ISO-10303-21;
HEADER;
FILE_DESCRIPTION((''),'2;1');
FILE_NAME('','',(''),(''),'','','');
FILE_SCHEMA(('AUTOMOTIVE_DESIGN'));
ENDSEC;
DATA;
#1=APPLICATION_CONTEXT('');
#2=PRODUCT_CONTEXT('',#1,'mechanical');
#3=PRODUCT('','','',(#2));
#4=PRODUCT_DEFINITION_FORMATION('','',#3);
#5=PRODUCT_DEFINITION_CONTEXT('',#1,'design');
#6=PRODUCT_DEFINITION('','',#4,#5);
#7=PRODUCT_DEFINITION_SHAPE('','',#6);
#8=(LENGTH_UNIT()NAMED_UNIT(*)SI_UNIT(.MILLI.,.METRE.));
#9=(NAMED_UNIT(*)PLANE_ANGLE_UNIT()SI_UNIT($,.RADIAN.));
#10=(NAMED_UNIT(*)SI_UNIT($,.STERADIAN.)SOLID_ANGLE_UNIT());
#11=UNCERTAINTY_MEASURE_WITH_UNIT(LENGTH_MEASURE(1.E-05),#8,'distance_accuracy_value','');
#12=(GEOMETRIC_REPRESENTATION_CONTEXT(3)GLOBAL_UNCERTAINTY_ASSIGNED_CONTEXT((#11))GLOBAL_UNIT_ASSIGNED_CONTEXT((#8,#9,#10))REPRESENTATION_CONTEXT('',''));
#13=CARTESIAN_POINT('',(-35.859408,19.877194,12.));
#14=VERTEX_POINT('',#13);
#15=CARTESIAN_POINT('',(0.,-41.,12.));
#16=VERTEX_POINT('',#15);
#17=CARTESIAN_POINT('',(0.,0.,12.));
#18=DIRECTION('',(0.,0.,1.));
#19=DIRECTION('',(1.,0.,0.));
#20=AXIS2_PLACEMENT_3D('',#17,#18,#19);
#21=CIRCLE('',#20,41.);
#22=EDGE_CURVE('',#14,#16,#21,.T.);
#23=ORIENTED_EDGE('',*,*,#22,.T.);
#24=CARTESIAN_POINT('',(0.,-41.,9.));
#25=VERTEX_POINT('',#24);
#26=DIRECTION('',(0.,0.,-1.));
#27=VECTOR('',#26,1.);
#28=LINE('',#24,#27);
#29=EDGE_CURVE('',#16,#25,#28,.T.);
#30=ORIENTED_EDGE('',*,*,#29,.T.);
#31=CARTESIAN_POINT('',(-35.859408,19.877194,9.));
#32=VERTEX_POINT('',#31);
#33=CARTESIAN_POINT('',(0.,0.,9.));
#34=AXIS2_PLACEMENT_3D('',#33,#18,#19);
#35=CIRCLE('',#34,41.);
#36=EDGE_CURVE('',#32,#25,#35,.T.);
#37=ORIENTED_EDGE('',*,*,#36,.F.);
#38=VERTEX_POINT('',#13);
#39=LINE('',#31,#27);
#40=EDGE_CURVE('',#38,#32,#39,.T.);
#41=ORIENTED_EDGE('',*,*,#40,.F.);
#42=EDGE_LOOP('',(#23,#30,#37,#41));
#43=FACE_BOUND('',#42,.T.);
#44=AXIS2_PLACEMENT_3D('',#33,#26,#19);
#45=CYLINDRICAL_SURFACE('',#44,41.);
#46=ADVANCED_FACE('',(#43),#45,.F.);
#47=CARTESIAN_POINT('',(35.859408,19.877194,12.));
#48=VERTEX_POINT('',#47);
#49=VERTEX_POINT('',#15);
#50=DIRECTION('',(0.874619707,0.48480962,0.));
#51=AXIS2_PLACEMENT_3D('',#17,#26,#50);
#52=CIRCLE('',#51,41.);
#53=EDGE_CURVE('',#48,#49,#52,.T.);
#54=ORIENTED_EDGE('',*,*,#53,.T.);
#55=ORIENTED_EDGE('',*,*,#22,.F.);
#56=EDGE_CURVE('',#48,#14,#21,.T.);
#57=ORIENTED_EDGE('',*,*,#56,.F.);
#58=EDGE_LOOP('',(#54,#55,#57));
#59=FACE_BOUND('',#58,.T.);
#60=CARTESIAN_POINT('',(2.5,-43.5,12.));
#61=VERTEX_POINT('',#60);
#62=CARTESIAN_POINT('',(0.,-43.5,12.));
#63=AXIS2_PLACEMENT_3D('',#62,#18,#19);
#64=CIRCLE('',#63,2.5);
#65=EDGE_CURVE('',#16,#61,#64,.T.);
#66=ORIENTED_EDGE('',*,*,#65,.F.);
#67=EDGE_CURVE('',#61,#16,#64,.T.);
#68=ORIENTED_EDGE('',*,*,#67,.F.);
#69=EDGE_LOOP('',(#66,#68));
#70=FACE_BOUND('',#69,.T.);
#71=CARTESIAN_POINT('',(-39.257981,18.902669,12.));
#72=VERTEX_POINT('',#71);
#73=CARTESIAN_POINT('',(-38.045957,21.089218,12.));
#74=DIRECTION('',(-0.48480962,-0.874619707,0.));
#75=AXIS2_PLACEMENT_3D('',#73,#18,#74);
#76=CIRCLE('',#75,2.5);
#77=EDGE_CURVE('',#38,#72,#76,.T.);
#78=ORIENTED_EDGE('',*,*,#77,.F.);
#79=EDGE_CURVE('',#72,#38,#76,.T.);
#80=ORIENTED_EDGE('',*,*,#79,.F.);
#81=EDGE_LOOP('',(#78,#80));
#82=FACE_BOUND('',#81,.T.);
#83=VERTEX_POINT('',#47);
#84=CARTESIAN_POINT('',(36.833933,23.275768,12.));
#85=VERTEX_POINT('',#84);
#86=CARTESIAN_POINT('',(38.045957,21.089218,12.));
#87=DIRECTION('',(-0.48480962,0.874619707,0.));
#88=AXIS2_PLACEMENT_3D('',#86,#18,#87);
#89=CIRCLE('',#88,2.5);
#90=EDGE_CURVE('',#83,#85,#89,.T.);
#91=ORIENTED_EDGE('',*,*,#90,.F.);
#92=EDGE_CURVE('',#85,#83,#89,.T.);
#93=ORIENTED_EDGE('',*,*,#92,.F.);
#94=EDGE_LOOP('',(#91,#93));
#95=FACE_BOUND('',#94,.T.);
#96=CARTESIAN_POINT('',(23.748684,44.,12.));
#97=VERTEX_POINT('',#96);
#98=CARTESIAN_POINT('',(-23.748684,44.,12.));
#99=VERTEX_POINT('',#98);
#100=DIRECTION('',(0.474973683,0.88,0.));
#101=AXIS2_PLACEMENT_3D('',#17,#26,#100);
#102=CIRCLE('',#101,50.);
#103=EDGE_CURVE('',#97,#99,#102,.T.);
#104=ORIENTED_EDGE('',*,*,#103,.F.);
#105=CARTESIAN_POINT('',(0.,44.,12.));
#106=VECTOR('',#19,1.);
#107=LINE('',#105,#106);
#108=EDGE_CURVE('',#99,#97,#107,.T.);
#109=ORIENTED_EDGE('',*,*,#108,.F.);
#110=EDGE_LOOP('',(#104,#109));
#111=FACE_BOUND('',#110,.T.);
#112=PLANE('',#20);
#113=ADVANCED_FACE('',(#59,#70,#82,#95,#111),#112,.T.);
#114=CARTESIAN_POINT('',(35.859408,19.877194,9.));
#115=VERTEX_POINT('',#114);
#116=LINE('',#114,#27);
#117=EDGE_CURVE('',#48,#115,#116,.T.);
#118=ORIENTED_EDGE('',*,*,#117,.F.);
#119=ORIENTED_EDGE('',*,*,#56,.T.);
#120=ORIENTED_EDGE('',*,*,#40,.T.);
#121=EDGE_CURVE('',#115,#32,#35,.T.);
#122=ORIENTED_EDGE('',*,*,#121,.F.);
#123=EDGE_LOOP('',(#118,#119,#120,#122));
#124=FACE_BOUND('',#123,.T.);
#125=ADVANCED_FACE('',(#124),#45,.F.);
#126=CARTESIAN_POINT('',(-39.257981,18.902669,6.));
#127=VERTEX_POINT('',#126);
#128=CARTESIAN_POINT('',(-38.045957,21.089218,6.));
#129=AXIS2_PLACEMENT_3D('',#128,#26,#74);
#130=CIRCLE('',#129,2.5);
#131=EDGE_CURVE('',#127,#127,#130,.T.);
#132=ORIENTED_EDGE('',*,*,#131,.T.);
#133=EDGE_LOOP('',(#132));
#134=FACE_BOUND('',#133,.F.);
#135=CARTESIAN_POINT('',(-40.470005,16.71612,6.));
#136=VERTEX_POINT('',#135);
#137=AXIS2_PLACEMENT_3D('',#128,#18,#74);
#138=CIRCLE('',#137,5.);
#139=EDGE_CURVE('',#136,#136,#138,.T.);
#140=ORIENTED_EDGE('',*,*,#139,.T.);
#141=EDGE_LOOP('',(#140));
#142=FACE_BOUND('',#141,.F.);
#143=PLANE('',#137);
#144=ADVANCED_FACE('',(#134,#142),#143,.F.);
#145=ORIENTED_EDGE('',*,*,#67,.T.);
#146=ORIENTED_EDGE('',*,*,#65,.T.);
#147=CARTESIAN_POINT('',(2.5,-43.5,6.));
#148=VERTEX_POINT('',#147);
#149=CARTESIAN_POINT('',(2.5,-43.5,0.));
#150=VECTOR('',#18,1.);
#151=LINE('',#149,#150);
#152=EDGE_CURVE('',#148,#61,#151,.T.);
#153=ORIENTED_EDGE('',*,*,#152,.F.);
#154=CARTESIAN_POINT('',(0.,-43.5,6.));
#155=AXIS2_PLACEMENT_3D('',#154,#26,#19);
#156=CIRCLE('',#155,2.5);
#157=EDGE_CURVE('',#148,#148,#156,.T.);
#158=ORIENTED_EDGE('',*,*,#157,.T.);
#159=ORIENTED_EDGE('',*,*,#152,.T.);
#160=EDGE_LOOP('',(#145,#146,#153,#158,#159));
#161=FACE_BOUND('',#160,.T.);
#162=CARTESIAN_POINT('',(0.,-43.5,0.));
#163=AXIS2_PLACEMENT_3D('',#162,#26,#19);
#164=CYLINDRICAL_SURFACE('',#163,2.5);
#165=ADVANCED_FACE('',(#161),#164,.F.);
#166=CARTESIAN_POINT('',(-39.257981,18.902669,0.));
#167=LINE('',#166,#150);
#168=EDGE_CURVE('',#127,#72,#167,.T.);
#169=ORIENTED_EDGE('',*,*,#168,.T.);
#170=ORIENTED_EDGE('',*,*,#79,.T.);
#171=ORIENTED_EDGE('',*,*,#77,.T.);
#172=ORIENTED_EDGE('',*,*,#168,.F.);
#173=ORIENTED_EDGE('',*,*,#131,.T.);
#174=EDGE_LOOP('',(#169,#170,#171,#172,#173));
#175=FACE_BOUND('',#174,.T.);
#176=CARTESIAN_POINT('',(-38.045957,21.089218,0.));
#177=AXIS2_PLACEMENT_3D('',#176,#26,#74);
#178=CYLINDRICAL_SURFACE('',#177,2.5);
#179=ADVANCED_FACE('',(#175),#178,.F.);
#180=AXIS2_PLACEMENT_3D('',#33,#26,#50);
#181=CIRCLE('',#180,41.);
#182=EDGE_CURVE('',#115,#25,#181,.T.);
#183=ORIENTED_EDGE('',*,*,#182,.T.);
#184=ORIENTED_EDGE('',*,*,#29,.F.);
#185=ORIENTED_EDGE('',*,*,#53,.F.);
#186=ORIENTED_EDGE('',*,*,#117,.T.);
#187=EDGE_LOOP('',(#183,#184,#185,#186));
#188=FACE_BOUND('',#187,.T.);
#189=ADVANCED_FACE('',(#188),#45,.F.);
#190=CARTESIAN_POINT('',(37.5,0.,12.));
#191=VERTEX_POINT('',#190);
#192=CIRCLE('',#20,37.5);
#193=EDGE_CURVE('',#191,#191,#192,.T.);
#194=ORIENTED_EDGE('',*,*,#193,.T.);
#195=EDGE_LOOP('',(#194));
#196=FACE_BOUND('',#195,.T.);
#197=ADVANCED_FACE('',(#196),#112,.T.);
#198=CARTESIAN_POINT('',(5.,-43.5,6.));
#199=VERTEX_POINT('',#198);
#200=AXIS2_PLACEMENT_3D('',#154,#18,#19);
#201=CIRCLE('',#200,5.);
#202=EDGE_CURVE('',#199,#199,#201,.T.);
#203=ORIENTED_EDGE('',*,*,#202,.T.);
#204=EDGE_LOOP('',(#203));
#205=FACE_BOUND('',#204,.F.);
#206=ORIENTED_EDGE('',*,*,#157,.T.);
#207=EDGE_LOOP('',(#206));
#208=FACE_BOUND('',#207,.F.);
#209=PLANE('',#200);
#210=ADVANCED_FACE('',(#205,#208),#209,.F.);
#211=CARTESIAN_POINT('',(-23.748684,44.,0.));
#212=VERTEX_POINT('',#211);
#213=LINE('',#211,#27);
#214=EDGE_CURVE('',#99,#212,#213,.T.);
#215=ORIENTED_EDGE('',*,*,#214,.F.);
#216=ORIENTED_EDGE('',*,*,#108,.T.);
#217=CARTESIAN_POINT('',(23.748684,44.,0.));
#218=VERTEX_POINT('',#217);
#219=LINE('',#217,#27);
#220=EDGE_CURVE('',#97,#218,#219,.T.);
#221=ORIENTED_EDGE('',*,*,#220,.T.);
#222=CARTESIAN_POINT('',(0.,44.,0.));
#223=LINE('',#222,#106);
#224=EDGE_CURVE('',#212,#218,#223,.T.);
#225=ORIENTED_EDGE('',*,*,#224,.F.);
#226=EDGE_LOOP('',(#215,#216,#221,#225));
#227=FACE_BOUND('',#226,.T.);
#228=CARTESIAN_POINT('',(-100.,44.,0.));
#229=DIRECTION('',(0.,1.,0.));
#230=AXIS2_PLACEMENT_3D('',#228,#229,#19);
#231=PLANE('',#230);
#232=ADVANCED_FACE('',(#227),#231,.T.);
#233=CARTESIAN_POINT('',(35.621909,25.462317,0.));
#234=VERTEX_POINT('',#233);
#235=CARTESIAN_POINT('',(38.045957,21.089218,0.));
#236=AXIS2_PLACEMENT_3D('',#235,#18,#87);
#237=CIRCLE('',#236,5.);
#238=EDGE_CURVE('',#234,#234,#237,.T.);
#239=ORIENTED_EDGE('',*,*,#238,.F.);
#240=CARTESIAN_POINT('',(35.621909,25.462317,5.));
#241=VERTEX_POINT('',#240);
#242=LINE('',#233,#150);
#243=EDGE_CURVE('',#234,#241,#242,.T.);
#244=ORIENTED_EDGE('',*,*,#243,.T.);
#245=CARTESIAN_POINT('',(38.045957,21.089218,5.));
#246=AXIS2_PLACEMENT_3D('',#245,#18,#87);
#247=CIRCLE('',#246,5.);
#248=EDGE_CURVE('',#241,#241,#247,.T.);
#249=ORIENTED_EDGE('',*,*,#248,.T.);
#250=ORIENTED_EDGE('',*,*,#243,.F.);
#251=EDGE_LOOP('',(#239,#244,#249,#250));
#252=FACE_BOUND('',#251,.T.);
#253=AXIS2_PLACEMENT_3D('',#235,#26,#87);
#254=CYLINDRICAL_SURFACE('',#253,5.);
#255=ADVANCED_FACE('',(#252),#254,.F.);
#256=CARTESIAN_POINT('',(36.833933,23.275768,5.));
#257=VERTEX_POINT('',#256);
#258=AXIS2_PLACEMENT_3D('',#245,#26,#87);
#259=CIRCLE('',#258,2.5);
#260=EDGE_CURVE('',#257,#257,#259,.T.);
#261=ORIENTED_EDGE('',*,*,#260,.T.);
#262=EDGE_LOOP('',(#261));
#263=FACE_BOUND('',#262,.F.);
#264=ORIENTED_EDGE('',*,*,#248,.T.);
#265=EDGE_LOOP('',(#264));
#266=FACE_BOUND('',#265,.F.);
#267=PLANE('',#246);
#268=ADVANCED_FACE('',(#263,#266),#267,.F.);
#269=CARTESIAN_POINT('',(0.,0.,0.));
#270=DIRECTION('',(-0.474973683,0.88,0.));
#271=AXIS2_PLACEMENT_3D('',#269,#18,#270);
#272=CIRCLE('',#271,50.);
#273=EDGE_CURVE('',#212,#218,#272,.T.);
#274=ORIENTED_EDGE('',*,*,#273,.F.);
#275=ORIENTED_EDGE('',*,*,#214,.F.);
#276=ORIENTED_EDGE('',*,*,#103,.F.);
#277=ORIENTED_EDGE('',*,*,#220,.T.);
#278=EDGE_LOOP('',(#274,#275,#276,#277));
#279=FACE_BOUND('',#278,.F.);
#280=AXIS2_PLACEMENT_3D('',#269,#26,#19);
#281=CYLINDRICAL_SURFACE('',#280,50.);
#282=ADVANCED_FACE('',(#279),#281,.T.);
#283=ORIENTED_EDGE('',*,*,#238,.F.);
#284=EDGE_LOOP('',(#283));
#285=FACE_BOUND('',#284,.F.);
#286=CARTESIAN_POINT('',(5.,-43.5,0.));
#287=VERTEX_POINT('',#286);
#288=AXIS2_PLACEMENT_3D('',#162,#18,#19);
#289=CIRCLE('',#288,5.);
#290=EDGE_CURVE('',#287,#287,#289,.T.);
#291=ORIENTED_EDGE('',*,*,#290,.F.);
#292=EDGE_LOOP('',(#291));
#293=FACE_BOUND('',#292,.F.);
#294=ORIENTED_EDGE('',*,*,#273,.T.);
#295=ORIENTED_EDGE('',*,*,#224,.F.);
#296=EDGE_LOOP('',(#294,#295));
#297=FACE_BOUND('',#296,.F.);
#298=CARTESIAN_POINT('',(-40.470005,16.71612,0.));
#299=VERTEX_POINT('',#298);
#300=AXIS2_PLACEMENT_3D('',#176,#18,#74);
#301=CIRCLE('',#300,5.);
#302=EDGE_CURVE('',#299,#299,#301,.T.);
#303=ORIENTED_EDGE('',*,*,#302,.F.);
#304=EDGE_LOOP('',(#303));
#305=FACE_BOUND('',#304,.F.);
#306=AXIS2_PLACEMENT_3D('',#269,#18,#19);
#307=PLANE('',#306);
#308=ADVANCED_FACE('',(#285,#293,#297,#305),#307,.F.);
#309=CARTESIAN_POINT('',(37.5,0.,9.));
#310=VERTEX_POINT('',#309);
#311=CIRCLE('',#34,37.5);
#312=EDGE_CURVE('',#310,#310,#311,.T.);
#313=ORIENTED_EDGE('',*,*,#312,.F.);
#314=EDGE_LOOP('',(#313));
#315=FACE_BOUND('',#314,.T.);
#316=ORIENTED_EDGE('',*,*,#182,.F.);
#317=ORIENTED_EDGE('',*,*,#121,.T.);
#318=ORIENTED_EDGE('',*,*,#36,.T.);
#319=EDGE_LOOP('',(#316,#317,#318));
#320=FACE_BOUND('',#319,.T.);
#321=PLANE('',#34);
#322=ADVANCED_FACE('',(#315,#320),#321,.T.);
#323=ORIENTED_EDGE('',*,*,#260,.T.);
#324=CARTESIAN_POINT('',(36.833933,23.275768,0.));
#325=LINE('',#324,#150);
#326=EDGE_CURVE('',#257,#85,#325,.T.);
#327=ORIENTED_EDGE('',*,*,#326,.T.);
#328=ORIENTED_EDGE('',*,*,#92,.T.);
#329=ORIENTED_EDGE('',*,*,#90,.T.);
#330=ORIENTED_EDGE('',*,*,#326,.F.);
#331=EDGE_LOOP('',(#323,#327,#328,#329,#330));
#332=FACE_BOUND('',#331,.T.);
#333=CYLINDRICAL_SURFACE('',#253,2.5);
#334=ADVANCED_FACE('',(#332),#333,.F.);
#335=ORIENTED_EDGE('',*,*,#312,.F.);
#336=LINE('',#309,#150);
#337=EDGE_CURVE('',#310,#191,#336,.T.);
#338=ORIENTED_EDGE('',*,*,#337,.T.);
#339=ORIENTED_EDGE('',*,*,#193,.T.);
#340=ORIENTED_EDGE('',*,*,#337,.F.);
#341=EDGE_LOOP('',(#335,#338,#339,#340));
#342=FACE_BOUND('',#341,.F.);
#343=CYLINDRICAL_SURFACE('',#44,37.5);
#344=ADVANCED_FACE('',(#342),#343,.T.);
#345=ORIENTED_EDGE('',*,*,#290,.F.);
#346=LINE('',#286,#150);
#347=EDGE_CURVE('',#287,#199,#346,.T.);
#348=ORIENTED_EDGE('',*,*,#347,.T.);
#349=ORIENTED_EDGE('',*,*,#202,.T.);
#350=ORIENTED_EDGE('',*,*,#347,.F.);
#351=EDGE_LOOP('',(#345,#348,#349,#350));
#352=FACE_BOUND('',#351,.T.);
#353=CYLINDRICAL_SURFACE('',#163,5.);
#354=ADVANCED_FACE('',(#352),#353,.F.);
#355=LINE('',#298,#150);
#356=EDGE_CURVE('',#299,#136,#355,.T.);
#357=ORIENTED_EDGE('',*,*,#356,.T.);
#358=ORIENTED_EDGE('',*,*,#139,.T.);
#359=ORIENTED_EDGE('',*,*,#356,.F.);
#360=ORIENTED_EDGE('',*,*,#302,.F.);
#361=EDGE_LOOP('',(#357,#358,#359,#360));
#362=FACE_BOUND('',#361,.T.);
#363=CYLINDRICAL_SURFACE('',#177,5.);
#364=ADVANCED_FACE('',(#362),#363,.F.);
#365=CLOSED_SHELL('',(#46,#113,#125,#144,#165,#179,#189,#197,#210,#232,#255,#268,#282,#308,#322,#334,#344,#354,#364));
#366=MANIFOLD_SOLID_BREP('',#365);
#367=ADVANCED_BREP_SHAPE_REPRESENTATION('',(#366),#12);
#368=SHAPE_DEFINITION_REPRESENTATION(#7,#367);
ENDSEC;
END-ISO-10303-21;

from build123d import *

# Parameters (mm, degrees)
CYLINDER007_R               = 5
CYLINDER007_DEPTH           = 5
COMPOUND003_PLACEMENT_ANGLE = 119
CYLINDER008_R               = 5
CYLINDER008_DEPTH           = 6
COMPOUND004_PLACEMENT_ANGLE = 119
CYLINDER006_R               = 5
CYLINDER006_DEPTH           = 6
CYLINDER004_R               = 2.5
CYLINDER004_DEPTH           = 12
COMPOUND_PLACEMENT_ANGLE    = 119
CYLINDER005_R               = 2.5
CYLINDER005_DEPTH           = 12
COMPOUND001_PLACEMENT_ANGLE = 241
CYLINDER003_R               = 2.5
CYLINDER003_DEPTH           = 12
BOX_W                       = 200
BOX_H                       = 100
BOX_DEPTH                   = 12
CYLINDER001_R               = 37.5
CYLINDER001_DEPTH           = 3
CYLINDER002_R               = 41
CYLINDER002_DEPTH           = 3
CYLINDER_R                  = 50
CYLINDER_DEPTH              = 12


with BuildPart() as compound003:
    # Cylinder007 → Cylinder007 (new body)
    with BuildSketch(Plane(origin=(0, -43.5, 0), x_dir=(1, 0, 0), z_dir=(0, 0, 1))):
        Circle(CYLINDER007_R)
    extrude(amount=CYLINDER007_DEPTH)


with BuildPart() as compound003_1:
    # Compound003 placement: moved
    add(compound003.part.rotate(Axis((0, 0, 0), (0, 0, 1)), COMPOUND003_PLACEMENT_ANGLE))


with BuildPart() as compound004:
    # Cylinder008 → Cylinder008 (new body)
    with BuildSketch(Plane(origin=(0, -43.5, 0), x_dir=(1, 0, 0), z_dir=(0, 0, 1))):
        Circle(CYLINDER008_R)
    extrude(amount=CYLINDER008_DEPTH)


with BuildPart() as compound004_1:
    # Compound004 placement: moved
    add(compound004.part.rotate(Axis((0, 0, 0), (0, 0, -1)), COMPOUND004_PLACEMENT_ANGLE))


with BuildPart() as compound005:
    # Cylinder006 → Cylinder006 (new body)
    with BuildSketch(Plane(origin=(0, -43.5, 0), x_dir=(1, 0, 0), z_dir=(0, 0, 1))):
        Circle(CYLINDER006_R)
    extrude(amount=CYLINDER006_DEPTH)

    # Compound005: union Compound003, Compound004
    add(compound003_1.part)
    add(compound004_1.part)


with BuildPart() as compound:
    # Cylinder004 → Cylinder004 (new body)
    with BuildSketch(Plane(origin=(0, -43.5, 0), x_dir=(1, 0, 0), z_dir=(0, 0, 1))):
        Circle(CYLINDER004_R)
    extrude(amount=CYLINDER004_DEPTH)


with BuildPart() as compound_1:
    # Compound placement: moved
    add(compound.part.rotate(Axis((0, 0, 0), (0, 0, 1)), COMPOUND_PLACEMENT_ANGLE))


with BuildPart() as compound001:
    # Cylinder005 → Cylinder005 (new body)
    with BuildSketch(Plane(origin=(0, -43.5, 0), x_dir=(1, 0, 0), z_dir=(0, 0, 1))):
        Circle(CYLINDER005_R)
    extrude(amount=CYLINDER005_DEPTH)


with BuildPart() as compound001_1:
    # Compound001 placement: moved
    add(compound001.part.rotate(Axis((0, 0, 0), (0, 0, 1)), COMPOUND001_PLACEMENT_ANGLE))


with BuildPart() as compound002:
    # Cylinder003 → Cylinder003 (new body)
    with BuildSketch(Plane(origin=(0, -43.5, 0), x_dir=(1, 0, 0), z_dir=(0, 0, 1))):
        Circle(CYLINDER003_R)
    extrude(amount=CYLINDER003_DEPTH)

    # Compound002: union Compound, Compound001
    add(compound_1.part)
    add(compound001_1.part)


with BuildPart() as cube:
    # Box → Box (new body)
    with BuildSketch(Plane(origin=(-100, 44, 0), x_dir=(1, 0, 0), z_dir=(0, 0, 1))):
        with Locations((100, 50)):
            Rectangle(BOX_W, BOX_H)
    extrude(amount=BOX_DEPTH)


with BuildPart() as cylinder001:
    # Cylinder001 → Cylinder001 (new body)
    with BuildSketch(Plane.XY):
        Circle(CYLINDER001_R)
    extrude(amount=CYLINDER001_DEPTH)


with BuildPart() as cut:
    # Cylinder002 → Cylinder002 (new body)
    with BuildSketch(Plane.XY):
        Circle(CYLINDER002_R)
    extrude(amount=CYLINDER002_DEPTH)

    # Cut: cut Cylinder001
    add(cylinder001.part, mode=Mode.SUBTRACT)


with BuildPart() as cut_1:
    # Cut placement: moved
    add(cut.part.moved(Location((0, 0, 9))))


with BuildPart() as xl30topbackflange100:
    # Cylinder → Cylinder (new body)
    with BuildSketch(Plane.XY):
        Circle(CYLINDER_R)
    extrude(amount=CYLINDER_DEPTH)

    # Cut001: cut Cut
    add(cut_1.part, mode=Mode.SUBTRACT)

    # Cut002: cut Cube
    add(cube.part, mode=Mode.SUBTRACT)

    # Cut003: cut Compound002
    add(compound002.part, mode=Mode.SUBTRACT)

    # Cut004: cut Compound005
    add(compound005.part, mode=Mode.SUBTRACT)


solid = xl30topbackflange100.part
